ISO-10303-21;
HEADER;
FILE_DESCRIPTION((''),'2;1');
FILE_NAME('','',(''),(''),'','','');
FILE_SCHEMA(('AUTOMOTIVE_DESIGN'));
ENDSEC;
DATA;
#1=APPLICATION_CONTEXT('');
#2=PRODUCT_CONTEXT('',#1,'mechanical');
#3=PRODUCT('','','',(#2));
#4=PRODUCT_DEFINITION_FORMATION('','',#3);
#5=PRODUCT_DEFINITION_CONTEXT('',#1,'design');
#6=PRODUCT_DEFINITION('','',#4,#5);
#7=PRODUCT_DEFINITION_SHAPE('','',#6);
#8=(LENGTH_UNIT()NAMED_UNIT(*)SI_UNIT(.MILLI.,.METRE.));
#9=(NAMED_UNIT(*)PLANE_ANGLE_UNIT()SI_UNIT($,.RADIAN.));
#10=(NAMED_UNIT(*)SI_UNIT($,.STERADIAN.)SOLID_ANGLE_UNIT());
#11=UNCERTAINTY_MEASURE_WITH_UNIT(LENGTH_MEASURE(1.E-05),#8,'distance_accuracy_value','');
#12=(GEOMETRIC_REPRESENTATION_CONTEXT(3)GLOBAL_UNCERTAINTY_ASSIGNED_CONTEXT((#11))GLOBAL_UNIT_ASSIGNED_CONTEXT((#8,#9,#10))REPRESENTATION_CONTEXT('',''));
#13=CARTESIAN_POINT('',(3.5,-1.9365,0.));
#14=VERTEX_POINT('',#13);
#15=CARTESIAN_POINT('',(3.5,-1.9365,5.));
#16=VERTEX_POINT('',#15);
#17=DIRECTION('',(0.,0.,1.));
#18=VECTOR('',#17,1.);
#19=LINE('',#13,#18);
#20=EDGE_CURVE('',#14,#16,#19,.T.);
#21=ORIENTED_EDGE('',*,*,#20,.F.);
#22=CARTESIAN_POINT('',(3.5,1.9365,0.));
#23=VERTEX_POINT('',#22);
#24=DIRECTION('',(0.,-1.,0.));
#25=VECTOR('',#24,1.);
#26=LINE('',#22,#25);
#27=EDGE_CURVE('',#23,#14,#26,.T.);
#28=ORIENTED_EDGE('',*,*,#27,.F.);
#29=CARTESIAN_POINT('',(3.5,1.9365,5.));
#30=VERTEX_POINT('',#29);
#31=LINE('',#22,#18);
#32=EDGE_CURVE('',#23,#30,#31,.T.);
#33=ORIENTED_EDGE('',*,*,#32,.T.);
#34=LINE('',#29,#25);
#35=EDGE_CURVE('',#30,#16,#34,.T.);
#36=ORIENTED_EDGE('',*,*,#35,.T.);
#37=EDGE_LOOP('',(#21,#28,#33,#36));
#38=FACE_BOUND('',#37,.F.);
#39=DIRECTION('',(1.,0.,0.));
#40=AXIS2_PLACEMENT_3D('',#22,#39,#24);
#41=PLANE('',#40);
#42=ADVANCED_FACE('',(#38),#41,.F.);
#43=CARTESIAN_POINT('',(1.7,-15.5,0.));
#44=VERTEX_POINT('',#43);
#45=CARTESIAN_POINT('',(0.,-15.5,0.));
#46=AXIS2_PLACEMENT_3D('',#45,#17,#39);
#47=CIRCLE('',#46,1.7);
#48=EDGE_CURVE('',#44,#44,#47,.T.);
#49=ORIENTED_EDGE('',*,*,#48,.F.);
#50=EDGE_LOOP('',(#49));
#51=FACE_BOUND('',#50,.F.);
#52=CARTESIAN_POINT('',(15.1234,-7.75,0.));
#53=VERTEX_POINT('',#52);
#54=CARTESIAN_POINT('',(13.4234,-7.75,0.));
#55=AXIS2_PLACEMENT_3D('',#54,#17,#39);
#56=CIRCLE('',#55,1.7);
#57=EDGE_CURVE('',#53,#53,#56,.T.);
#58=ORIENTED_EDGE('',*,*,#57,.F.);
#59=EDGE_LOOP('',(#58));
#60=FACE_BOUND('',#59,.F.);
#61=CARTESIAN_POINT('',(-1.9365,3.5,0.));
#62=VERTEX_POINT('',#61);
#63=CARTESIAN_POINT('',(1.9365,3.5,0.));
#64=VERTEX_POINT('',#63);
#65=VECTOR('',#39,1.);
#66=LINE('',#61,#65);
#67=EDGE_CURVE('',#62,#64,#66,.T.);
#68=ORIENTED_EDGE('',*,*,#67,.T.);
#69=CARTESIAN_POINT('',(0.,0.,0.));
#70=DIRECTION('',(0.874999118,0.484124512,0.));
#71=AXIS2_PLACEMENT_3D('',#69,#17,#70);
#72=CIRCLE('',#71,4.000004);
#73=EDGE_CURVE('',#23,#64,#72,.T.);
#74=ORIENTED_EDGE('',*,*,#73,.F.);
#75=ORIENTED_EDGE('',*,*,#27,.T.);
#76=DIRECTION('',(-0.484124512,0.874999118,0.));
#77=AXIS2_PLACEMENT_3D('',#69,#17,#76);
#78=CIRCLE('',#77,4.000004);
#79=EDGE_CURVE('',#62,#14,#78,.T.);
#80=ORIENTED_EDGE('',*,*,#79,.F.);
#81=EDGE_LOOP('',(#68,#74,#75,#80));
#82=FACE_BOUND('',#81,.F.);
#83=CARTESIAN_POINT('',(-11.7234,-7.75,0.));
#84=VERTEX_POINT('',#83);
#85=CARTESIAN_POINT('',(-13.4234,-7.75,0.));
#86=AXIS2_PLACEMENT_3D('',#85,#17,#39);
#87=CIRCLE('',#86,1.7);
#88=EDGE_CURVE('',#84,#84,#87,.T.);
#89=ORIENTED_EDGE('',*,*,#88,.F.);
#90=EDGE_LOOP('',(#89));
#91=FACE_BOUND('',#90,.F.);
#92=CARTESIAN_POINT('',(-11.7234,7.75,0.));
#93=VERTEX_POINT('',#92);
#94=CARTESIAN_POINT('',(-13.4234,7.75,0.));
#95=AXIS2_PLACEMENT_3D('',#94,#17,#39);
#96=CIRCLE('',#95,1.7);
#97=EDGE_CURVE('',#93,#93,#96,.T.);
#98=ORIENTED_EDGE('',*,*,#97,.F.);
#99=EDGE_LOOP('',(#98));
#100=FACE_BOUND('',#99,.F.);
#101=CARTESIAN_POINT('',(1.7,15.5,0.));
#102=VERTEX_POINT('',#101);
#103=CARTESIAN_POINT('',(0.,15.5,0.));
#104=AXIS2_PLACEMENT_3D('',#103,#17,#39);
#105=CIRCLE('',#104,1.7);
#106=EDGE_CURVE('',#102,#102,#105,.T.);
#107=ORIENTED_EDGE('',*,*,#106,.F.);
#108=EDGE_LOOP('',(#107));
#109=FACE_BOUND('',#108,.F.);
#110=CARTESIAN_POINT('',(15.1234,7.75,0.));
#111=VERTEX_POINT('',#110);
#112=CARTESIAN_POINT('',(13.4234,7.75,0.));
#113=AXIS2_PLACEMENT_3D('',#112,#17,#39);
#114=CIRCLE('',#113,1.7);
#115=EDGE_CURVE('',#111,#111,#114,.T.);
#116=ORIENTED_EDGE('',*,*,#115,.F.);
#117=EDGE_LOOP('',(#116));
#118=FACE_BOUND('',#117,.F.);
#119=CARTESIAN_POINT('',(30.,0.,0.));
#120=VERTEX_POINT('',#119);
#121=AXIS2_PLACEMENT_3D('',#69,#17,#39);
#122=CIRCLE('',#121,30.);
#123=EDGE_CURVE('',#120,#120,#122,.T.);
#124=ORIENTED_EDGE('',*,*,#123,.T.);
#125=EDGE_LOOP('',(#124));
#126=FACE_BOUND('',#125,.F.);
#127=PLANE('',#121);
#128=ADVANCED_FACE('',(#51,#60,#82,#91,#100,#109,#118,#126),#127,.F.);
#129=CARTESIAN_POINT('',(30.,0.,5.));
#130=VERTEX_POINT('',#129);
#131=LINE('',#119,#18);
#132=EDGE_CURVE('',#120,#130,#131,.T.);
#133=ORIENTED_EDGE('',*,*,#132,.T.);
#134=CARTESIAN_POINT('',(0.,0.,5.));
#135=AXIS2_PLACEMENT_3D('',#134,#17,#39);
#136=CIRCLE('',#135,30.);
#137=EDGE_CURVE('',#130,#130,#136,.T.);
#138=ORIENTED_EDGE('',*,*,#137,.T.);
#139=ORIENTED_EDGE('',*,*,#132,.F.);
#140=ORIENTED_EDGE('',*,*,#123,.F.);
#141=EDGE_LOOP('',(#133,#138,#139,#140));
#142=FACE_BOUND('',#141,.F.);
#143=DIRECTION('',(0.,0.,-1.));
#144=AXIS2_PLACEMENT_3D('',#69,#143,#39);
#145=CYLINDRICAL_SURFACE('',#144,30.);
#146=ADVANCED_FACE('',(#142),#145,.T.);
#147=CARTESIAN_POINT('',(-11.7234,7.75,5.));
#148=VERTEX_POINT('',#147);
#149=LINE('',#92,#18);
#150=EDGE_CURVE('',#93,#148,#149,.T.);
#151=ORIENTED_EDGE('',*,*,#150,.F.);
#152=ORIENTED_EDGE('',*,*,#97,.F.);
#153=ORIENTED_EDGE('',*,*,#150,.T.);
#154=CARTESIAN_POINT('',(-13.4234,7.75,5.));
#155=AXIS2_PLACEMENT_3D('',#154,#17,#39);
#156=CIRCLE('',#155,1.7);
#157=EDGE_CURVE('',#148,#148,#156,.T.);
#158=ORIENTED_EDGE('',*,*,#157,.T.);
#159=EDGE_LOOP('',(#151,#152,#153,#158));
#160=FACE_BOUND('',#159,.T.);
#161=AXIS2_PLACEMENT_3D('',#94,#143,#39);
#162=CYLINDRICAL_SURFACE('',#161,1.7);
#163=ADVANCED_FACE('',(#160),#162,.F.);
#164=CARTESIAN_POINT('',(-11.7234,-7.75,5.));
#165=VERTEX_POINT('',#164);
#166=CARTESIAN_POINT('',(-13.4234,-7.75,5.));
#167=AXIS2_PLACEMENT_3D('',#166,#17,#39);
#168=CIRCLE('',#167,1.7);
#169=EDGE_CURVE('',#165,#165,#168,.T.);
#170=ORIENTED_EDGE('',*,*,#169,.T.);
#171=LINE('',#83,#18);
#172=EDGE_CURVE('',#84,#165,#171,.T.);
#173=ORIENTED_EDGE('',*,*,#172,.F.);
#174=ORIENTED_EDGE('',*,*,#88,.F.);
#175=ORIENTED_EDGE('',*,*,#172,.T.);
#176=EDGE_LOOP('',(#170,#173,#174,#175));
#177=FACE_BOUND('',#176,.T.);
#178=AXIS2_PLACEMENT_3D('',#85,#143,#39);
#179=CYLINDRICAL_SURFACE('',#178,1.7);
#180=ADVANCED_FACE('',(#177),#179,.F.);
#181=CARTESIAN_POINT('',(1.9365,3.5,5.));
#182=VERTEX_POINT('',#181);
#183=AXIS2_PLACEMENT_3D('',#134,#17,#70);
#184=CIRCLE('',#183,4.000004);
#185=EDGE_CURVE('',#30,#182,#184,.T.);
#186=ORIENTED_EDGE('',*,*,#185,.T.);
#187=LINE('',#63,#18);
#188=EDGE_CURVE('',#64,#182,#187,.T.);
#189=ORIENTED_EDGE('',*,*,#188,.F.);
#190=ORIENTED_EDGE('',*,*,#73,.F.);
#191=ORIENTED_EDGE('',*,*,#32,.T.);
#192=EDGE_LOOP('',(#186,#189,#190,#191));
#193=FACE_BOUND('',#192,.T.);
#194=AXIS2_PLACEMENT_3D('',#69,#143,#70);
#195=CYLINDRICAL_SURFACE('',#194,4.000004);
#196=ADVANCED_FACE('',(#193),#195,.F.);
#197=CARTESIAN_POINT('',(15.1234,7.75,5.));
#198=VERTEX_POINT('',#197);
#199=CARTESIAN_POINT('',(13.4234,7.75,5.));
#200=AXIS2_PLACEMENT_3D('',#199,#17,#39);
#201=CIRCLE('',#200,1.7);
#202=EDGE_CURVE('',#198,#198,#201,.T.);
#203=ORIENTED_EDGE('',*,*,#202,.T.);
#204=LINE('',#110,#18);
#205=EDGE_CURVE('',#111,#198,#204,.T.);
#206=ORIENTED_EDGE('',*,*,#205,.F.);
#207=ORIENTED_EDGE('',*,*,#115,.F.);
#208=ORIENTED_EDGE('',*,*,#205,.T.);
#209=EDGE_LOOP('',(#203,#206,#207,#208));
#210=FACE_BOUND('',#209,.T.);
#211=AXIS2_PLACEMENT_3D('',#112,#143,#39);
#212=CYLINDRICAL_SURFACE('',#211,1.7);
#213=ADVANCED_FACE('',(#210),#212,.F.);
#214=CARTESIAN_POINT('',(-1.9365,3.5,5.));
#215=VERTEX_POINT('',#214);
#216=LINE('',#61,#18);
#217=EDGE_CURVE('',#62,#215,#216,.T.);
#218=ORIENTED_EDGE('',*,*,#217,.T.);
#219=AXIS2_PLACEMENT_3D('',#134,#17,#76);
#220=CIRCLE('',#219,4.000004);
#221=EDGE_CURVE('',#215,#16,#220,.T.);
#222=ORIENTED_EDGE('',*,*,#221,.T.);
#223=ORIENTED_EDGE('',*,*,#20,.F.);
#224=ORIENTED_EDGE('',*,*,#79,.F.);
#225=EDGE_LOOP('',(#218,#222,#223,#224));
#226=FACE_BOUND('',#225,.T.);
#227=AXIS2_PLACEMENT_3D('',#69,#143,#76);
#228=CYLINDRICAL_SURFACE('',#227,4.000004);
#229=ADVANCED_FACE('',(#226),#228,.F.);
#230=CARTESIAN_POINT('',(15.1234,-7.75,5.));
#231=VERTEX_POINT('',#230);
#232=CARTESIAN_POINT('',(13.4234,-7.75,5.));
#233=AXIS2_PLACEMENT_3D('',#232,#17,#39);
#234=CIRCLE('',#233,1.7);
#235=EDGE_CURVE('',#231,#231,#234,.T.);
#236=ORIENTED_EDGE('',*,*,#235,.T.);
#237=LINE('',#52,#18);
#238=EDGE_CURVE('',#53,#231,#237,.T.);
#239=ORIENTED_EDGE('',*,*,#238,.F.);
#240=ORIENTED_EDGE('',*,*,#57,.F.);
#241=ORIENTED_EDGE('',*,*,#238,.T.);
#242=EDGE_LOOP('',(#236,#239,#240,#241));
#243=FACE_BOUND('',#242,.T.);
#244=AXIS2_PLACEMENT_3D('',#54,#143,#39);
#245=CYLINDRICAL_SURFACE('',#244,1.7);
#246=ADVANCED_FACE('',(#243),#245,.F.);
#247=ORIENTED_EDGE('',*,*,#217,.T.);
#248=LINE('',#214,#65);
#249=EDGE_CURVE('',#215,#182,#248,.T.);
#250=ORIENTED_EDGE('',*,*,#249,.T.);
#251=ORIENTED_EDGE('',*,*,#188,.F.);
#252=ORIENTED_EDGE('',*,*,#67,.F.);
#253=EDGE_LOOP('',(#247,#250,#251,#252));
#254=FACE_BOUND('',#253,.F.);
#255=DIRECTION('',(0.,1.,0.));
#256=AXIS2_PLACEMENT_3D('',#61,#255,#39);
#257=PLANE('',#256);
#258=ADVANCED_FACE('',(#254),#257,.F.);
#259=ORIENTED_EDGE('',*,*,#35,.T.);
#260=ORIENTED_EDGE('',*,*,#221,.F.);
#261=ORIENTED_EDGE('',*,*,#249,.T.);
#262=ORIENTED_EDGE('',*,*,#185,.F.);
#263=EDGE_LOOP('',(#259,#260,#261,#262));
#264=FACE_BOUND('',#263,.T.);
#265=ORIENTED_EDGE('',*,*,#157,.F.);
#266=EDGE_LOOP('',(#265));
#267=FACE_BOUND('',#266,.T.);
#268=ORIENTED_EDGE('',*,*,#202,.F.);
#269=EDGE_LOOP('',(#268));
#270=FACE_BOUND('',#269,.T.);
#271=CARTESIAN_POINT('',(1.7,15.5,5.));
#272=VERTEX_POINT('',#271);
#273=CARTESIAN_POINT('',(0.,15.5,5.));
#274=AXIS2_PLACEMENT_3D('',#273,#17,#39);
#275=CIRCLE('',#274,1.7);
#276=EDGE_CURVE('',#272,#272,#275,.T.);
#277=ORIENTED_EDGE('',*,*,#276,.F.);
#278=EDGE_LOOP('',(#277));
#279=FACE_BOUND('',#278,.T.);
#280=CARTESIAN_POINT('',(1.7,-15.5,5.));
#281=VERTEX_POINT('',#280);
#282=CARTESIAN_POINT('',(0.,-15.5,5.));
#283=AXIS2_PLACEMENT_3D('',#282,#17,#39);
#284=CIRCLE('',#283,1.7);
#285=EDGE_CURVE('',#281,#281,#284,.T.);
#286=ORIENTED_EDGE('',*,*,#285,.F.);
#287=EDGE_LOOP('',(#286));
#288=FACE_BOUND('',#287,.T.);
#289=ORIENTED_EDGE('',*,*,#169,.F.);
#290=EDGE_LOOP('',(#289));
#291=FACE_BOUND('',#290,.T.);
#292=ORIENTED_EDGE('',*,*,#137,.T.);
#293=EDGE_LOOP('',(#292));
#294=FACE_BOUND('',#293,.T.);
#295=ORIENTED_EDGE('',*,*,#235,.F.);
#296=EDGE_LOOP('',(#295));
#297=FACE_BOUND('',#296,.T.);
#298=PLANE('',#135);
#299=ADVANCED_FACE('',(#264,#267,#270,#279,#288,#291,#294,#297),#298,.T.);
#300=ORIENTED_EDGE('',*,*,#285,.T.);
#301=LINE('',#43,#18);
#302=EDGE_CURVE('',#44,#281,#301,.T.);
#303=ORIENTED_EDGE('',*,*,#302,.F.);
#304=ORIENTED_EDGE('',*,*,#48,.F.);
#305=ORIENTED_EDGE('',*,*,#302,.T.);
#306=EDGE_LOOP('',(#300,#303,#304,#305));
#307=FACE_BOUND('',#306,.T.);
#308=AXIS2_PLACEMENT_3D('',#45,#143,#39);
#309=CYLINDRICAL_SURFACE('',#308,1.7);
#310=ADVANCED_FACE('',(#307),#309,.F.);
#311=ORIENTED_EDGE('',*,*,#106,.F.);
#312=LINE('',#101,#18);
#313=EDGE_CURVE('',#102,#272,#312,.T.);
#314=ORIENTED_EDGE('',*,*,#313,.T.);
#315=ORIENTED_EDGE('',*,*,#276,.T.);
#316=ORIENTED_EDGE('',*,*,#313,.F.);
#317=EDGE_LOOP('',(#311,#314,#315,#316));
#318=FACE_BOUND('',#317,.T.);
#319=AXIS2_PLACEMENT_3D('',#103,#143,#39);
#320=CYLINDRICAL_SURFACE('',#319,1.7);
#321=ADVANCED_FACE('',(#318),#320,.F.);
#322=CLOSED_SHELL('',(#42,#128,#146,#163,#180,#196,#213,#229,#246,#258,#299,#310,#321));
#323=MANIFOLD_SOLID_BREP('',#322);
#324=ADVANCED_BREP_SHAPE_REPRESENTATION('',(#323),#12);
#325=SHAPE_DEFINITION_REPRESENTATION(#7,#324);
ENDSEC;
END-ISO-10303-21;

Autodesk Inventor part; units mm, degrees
ref_plane "YZ Plane" through (0, 0, 0) normal (1, 0, 0) x (0, 1, 0)
ref_plane "XZ Plane" through (0, 0, 0) normal (0, 1, 0) x (-1, 0, 0)
ref_plane "XY Plane" through (0, 0, 0) normal (0, 0, 1) x (1, 0, 0)
sketch "Base" plane through (0, 0, 0) normal (0, 0, 1) x (1, 0, 0)
  line L0 (-1.9365, 3.5) -> (1.9365, 3.5)
  arc A0 (3.5, 1.9365) -> (1.9365, 3.5) centre (0, 0) ccw
  line L1 (3.5, 1.9365) -> (3.5, -1.9365)
  arc A1 (-1.9365, 3.5) -> (3.5, -1.9365) centre (0, 0) ccw
  circle A2 centre (0, 15.5) radius 1.65 construction
  circle A3 centre (13.4234, 7.75) radius 1.65 construction
  circle A4 centre (13.4234, -7.75) radius 1.65 construction
  circle A5 centre (0, -15.5) radius 1.65 construction
  circle A6 centre (-13.4234, -7.75) radius 1.65 construction
  circle A7 centre (-13.4234, 7.75) radius 1.65 construction
  circle A8 centre (0, 0) radius 39.5
  circle A9 centre (0, 15.5) radius 1.7
  circle A10 centre (-13.4234, 7.75) radius 1.7
  circle A11 centre (-13.4234, -7.75) radius 1.7
  circle A12 centre (0, -15.5) radius 1.7
  circle A13 centre (13.4234, -7.75) radius 1.7
  circle A14 centre (13.4234, 7.75) radius 1.7
  circle A15 centre (0, 0) radius 30
  point P0 (0, 0)
  dimension "d1" = 3.4
extrude "Plate1" add sketch "Base" along normal blind 5 contours A15
equation "\"d0\" = Thickness"
equation "\"BendRadius\" = Thickness"
equation "\"BendReliefWidth\" = Thickness"
equation "\"BendReliefDepth\" = 0.5 * Thickness"
equation "\"TransitionRadius\" = BendRadius"
equation "\"JacobiRadiusSize\" = BendRadius"
equation "\"GapSize\" = Thickness"
equation "\"Thickness\" = 5"
properties part number "NeckInnerFlange"
